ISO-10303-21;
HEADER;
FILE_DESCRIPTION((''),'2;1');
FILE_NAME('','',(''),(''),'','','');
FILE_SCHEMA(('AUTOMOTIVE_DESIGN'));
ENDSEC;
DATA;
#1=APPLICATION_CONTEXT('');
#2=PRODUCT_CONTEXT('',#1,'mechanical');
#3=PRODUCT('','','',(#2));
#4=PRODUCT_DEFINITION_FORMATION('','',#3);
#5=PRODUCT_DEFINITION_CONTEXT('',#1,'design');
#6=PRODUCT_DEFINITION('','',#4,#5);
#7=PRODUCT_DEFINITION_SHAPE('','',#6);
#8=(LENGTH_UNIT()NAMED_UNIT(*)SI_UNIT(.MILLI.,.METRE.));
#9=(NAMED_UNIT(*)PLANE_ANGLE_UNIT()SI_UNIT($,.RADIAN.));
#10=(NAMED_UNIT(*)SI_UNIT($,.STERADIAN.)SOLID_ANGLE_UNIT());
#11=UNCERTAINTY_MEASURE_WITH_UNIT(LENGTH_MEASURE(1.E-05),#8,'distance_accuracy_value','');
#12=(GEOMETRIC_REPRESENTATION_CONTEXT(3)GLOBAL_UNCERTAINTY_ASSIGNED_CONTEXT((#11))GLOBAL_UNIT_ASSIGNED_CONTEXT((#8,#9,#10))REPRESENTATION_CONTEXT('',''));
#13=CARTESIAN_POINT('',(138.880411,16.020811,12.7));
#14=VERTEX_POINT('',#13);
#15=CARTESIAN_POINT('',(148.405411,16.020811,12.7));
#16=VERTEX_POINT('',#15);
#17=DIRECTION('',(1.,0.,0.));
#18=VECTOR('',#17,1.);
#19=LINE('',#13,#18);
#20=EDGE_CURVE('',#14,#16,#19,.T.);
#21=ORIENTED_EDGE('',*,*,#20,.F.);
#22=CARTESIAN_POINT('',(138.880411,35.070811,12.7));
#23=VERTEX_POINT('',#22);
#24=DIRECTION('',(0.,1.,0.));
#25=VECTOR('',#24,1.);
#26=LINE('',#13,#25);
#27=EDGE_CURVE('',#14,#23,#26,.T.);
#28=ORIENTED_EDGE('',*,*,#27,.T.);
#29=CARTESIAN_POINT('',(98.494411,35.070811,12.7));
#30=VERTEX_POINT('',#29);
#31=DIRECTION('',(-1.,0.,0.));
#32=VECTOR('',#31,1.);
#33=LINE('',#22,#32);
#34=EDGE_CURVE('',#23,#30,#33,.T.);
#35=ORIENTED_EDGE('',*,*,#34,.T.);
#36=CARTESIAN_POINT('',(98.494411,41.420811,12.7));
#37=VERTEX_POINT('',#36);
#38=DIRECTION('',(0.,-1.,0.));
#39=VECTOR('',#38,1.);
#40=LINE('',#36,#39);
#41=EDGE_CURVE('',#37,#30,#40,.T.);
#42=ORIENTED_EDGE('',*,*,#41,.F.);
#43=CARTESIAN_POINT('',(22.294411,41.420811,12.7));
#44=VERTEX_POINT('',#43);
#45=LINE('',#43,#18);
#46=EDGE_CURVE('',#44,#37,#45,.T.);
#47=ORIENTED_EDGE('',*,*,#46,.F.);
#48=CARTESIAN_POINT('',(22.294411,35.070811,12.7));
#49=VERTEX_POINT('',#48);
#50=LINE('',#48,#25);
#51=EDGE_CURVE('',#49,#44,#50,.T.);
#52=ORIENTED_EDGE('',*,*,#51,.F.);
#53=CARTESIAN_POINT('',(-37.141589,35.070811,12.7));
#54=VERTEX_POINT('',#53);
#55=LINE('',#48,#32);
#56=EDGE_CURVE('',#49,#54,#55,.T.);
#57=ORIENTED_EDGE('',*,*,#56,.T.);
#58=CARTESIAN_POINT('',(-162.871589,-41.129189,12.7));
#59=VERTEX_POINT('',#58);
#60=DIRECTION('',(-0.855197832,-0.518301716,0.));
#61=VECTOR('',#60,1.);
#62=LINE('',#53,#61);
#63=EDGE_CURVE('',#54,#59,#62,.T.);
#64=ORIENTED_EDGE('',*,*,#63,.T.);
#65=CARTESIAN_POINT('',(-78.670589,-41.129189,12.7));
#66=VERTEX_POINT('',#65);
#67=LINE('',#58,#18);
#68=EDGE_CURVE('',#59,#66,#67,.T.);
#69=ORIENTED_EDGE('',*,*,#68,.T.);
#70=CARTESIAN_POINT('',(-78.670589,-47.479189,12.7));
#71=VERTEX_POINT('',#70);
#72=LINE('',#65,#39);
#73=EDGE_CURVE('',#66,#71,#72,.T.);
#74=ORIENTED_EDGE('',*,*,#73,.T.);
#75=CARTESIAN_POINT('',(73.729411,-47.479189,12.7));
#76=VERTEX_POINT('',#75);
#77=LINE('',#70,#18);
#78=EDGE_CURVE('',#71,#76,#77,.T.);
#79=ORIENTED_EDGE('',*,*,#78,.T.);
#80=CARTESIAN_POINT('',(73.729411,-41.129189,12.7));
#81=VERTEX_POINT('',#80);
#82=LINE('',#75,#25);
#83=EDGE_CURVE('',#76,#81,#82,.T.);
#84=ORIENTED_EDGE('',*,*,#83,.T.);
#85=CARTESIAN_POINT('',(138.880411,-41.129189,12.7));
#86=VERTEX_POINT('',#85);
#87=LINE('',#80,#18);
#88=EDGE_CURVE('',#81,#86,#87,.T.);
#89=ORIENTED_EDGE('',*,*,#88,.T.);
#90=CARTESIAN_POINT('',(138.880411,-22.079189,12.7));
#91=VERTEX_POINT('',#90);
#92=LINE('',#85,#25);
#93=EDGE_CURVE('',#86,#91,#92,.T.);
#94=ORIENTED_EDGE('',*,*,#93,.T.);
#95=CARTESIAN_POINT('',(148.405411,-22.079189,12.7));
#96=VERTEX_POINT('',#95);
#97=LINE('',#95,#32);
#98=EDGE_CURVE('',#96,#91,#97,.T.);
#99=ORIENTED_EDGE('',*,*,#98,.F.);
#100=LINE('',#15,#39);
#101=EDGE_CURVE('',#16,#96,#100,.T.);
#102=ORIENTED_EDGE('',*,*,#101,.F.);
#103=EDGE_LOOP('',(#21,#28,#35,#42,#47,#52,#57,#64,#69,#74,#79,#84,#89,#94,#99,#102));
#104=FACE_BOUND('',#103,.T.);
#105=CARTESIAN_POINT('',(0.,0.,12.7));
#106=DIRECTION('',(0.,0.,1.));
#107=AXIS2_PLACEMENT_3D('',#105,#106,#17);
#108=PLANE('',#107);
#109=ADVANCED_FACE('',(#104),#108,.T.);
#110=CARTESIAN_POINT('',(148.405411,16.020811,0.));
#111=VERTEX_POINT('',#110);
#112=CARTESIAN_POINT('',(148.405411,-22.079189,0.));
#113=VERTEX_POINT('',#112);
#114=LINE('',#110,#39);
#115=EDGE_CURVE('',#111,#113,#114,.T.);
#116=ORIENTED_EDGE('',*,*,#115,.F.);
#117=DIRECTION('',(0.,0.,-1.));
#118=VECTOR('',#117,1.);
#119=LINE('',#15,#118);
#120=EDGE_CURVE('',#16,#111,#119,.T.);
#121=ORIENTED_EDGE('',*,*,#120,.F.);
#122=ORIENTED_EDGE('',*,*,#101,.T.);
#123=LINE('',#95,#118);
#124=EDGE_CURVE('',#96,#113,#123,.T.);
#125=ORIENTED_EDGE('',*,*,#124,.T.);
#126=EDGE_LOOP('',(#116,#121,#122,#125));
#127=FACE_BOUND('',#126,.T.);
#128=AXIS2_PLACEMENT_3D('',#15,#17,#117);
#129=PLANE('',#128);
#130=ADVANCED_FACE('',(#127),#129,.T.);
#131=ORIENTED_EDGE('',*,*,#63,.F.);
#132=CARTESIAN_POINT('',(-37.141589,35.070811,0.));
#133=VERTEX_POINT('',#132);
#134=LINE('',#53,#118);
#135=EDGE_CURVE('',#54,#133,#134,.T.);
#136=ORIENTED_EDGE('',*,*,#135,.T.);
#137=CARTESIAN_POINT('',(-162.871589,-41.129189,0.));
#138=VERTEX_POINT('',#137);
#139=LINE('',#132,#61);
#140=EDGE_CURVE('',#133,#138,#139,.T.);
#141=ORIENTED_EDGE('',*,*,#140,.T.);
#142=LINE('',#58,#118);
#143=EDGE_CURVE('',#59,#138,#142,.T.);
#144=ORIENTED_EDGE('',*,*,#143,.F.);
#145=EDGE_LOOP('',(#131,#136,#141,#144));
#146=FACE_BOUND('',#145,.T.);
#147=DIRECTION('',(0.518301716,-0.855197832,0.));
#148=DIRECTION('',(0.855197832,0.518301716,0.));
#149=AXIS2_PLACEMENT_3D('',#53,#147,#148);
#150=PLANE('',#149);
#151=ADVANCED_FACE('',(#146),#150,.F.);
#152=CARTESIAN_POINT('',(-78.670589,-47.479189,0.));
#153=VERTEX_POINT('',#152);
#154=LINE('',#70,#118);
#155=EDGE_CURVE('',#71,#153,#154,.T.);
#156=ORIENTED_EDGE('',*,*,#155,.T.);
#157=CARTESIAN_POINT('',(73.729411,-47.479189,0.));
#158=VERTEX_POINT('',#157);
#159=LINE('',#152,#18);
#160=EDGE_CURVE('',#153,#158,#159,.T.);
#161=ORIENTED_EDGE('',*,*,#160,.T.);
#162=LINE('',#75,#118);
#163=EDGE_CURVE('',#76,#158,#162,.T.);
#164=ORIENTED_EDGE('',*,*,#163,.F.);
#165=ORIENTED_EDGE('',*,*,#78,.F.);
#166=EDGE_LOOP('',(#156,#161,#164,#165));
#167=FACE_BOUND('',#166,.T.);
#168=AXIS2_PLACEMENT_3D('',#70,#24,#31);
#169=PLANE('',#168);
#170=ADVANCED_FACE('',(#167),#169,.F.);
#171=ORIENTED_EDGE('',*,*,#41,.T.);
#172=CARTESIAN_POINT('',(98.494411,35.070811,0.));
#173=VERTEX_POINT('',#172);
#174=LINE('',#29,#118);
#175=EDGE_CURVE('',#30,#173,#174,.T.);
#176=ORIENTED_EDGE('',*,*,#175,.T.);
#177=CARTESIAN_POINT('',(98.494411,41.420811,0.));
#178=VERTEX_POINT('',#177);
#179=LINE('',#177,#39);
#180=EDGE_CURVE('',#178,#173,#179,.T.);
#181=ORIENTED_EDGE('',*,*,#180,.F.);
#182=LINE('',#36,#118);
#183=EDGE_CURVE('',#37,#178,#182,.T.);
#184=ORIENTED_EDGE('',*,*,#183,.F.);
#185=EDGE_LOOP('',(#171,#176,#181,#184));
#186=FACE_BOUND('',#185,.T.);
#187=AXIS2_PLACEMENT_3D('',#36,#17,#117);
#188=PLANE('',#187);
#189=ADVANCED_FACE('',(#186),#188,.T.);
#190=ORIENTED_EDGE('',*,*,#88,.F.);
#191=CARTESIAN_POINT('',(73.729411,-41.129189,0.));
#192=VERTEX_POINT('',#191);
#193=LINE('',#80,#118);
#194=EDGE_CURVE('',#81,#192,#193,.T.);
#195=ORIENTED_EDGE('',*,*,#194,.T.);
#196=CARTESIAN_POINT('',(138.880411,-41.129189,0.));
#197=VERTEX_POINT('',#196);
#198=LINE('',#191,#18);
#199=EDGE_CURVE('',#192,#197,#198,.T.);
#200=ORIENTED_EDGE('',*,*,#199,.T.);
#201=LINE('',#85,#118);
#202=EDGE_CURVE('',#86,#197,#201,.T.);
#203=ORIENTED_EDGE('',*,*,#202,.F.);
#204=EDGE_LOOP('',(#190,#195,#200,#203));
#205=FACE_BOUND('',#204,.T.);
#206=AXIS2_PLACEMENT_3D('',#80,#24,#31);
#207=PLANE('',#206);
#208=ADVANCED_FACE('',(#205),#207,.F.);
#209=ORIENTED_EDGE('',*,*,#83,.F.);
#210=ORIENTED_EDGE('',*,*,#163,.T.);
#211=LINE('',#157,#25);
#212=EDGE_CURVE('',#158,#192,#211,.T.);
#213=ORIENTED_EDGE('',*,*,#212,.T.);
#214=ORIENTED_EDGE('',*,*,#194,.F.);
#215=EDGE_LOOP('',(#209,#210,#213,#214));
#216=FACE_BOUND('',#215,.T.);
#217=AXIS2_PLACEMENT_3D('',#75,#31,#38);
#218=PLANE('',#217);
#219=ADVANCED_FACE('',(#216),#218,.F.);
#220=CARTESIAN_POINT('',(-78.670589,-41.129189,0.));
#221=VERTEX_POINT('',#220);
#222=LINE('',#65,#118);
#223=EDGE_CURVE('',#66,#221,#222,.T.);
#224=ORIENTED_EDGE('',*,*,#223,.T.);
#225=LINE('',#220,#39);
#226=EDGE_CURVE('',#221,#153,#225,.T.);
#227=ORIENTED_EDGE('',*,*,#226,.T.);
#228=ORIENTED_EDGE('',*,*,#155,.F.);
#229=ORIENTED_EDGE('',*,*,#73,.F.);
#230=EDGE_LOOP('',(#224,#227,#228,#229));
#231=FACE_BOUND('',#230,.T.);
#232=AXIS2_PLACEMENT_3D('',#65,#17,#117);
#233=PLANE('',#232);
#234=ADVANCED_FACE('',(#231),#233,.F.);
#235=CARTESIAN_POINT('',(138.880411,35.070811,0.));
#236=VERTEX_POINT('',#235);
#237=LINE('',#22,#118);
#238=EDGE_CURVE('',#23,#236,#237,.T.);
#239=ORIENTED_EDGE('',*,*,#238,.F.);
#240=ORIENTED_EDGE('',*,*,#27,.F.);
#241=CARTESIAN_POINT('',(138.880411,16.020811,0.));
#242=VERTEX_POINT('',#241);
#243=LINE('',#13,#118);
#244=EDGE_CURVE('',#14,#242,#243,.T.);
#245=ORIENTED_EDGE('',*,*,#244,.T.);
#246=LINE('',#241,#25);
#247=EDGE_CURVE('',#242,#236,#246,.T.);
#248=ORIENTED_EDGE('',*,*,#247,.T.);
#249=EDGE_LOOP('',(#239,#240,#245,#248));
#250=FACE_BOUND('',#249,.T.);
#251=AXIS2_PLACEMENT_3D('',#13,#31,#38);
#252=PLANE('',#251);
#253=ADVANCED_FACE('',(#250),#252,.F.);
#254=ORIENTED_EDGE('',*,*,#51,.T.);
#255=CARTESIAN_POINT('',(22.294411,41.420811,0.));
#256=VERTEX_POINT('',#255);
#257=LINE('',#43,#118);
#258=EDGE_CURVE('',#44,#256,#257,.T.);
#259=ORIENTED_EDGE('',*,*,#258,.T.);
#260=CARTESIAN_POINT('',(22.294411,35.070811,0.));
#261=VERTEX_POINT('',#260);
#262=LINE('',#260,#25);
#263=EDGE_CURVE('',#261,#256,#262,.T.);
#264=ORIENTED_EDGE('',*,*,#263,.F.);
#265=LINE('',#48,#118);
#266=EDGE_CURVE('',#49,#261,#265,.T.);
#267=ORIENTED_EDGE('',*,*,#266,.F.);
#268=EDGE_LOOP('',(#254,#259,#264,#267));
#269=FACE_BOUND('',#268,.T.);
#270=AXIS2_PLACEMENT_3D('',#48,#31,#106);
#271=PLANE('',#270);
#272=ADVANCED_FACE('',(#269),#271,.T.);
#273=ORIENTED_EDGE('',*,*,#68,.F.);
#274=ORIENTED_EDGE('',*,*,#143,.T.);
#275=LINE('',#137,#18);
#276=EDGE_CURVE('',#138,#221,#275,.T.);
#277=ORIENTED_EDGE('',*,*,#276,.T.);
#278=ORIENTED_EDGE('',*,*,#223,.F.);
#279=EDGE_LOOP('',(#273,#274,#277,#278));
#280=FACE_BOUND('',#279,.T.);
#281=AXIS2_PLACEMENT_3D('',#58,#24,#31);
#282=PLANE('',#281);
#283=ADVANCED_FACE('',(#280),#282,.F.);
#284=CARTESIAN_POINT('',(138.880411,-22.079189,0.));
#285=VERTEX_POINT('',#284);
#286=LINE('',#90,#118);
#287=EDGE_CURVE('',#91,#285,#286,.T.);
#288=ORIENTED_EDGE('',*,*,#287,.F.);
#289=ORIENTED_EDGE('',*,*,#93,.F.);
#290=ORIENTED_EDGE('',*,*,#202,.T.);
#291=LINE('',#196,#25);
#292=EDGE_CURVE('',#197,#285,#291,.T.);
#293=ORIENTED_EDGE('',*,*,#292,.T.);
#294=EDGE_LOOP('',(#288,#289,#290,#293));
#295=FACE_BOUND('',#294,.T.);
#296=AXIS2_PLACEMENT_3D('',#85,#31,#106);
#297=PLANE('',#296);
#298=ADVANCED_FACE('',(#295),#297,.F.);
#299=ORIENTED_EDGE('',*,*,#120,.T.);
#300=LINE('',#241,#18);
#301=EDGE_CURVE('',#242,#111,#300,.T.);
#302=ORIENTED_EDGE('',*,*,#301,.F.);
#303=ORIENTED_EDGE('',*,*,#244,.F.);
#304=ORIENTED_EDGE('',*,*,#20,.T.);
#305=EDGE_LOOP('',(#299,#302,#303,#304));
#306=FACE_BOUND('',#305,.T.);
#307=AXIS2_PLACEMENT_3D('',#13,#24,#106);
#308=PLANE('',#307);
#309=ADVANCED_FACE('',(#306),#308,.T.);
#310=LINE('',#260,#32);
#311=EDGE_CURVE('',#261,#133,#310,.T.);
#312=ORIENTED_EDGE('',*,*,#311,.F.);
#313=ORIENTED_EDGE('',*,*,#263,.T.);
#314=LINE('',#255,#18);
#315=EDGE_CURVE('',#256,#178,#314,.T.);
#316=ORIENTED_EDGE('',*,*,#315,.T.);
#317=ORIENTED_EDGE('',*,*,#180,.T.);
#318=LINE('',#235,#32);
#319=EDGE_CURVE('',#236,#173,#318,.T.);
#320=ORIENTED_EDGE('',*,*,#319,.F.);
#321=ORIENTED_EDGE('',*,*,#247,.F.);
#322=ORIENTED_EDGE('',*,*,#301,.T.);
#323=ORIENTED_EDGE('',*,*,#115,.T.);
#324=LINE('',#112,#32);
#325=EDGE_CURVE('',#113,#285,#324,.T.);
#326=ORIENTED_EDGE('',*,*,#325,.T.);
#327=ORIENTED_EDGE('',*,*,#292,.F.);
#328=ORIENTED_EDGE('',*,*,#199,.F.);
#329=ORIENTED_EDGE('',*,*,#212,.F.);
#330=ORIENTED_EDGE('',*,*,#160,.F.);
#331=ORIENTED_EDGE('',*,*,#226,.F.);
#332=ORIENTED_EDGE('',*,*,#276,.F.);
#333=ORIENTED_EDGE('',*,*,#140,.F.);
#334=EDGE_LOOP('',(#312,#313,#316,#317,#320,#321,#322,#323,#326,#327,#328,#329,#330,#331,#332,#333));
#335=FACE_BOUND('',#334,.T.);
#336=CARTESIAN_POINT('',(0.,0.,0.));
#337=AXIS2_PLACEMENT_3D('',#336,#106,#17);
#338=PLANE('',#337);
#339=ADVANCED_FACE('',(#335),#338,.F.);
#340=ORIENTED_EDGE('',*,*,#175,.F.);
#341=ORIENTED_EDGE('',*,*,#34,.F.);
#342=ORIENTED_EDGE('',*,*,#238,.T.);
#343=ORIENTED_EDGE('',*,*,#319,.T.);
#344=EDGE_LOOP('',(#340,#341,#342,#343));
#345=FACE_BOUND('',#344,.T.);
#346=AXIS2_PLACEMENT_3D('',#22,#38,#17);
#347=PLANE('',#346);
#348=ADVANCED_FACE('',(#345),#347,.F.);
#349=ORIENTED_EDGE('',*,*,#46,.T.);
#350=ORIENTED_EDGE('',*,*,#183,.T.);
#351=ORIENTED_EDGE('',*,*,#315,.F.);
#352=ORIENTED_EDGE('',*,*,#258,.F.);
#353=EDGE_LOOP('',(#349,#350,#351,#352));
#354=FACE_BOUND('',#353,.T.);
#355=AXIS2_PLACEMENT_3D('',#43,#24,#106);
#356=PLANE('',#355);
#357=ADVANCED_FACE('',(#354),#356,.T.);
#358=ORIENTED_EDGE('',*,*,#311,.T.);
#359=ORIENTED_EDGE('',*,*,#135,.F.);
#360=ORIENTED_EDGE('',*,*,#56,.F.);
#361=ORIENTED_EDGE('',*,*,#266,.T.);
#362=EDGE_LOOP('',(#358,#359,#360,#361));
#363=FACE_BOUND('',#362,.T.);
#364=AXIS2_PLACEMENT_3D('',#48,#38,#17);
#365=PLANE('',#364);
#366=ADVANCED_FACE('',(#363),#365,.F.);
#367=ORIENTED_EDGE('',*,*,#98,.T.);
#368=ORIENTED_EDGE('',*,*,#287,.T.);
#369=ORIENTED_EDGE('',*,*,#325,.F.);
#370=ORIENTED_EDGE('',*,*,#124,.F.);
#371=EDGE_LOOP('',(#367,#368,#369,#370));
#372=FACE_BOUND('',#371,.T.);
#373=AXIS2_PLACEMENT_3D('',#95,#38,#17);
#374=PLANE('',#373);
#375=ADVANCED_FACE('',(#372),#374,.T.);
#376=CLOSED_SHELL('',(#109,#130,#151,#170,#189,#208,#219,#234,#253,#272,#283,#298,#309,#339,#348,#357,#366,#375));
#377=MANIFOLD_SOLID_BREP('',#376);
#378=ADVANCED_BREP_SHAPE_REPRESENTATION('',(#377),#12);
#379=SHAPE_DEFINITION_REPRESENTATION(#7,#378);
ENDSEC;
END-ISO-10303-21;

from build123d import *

# Parameters (mm, degrees)
BOSS_EXTRUDE1_DEPTH = 12.7


with BuildPart() as part:
    # Sketch1 → Boss-Extrude1 (new body)
    with BuildSketch(Plane.XY):
        Polygon((138.880411235, 35.070810918), (98.494411235, 35.070810918), (98.494411235, 41.420810918), (22.294411235, 41.420810918), (22.294411235, 35.070810918), (-37.141588765, 35.070810918), (-162.871588765, -41.129189082), (-78.670588765, -41.129189082), (-78.670588765, -47.479189082), (73.729411235, -47.479189082), (73.729411235, -41.129189082), (138.880411235, -41.129189082), (138.880411235, -22.079189082), (148.405411235, -22.079189082), (148.405411235, 16.020810918), (138.880411235, 16.020810918), align=None)
    extrude(amount=BOSS_EXTRUDE1_DEPTH)


solid = part.part
